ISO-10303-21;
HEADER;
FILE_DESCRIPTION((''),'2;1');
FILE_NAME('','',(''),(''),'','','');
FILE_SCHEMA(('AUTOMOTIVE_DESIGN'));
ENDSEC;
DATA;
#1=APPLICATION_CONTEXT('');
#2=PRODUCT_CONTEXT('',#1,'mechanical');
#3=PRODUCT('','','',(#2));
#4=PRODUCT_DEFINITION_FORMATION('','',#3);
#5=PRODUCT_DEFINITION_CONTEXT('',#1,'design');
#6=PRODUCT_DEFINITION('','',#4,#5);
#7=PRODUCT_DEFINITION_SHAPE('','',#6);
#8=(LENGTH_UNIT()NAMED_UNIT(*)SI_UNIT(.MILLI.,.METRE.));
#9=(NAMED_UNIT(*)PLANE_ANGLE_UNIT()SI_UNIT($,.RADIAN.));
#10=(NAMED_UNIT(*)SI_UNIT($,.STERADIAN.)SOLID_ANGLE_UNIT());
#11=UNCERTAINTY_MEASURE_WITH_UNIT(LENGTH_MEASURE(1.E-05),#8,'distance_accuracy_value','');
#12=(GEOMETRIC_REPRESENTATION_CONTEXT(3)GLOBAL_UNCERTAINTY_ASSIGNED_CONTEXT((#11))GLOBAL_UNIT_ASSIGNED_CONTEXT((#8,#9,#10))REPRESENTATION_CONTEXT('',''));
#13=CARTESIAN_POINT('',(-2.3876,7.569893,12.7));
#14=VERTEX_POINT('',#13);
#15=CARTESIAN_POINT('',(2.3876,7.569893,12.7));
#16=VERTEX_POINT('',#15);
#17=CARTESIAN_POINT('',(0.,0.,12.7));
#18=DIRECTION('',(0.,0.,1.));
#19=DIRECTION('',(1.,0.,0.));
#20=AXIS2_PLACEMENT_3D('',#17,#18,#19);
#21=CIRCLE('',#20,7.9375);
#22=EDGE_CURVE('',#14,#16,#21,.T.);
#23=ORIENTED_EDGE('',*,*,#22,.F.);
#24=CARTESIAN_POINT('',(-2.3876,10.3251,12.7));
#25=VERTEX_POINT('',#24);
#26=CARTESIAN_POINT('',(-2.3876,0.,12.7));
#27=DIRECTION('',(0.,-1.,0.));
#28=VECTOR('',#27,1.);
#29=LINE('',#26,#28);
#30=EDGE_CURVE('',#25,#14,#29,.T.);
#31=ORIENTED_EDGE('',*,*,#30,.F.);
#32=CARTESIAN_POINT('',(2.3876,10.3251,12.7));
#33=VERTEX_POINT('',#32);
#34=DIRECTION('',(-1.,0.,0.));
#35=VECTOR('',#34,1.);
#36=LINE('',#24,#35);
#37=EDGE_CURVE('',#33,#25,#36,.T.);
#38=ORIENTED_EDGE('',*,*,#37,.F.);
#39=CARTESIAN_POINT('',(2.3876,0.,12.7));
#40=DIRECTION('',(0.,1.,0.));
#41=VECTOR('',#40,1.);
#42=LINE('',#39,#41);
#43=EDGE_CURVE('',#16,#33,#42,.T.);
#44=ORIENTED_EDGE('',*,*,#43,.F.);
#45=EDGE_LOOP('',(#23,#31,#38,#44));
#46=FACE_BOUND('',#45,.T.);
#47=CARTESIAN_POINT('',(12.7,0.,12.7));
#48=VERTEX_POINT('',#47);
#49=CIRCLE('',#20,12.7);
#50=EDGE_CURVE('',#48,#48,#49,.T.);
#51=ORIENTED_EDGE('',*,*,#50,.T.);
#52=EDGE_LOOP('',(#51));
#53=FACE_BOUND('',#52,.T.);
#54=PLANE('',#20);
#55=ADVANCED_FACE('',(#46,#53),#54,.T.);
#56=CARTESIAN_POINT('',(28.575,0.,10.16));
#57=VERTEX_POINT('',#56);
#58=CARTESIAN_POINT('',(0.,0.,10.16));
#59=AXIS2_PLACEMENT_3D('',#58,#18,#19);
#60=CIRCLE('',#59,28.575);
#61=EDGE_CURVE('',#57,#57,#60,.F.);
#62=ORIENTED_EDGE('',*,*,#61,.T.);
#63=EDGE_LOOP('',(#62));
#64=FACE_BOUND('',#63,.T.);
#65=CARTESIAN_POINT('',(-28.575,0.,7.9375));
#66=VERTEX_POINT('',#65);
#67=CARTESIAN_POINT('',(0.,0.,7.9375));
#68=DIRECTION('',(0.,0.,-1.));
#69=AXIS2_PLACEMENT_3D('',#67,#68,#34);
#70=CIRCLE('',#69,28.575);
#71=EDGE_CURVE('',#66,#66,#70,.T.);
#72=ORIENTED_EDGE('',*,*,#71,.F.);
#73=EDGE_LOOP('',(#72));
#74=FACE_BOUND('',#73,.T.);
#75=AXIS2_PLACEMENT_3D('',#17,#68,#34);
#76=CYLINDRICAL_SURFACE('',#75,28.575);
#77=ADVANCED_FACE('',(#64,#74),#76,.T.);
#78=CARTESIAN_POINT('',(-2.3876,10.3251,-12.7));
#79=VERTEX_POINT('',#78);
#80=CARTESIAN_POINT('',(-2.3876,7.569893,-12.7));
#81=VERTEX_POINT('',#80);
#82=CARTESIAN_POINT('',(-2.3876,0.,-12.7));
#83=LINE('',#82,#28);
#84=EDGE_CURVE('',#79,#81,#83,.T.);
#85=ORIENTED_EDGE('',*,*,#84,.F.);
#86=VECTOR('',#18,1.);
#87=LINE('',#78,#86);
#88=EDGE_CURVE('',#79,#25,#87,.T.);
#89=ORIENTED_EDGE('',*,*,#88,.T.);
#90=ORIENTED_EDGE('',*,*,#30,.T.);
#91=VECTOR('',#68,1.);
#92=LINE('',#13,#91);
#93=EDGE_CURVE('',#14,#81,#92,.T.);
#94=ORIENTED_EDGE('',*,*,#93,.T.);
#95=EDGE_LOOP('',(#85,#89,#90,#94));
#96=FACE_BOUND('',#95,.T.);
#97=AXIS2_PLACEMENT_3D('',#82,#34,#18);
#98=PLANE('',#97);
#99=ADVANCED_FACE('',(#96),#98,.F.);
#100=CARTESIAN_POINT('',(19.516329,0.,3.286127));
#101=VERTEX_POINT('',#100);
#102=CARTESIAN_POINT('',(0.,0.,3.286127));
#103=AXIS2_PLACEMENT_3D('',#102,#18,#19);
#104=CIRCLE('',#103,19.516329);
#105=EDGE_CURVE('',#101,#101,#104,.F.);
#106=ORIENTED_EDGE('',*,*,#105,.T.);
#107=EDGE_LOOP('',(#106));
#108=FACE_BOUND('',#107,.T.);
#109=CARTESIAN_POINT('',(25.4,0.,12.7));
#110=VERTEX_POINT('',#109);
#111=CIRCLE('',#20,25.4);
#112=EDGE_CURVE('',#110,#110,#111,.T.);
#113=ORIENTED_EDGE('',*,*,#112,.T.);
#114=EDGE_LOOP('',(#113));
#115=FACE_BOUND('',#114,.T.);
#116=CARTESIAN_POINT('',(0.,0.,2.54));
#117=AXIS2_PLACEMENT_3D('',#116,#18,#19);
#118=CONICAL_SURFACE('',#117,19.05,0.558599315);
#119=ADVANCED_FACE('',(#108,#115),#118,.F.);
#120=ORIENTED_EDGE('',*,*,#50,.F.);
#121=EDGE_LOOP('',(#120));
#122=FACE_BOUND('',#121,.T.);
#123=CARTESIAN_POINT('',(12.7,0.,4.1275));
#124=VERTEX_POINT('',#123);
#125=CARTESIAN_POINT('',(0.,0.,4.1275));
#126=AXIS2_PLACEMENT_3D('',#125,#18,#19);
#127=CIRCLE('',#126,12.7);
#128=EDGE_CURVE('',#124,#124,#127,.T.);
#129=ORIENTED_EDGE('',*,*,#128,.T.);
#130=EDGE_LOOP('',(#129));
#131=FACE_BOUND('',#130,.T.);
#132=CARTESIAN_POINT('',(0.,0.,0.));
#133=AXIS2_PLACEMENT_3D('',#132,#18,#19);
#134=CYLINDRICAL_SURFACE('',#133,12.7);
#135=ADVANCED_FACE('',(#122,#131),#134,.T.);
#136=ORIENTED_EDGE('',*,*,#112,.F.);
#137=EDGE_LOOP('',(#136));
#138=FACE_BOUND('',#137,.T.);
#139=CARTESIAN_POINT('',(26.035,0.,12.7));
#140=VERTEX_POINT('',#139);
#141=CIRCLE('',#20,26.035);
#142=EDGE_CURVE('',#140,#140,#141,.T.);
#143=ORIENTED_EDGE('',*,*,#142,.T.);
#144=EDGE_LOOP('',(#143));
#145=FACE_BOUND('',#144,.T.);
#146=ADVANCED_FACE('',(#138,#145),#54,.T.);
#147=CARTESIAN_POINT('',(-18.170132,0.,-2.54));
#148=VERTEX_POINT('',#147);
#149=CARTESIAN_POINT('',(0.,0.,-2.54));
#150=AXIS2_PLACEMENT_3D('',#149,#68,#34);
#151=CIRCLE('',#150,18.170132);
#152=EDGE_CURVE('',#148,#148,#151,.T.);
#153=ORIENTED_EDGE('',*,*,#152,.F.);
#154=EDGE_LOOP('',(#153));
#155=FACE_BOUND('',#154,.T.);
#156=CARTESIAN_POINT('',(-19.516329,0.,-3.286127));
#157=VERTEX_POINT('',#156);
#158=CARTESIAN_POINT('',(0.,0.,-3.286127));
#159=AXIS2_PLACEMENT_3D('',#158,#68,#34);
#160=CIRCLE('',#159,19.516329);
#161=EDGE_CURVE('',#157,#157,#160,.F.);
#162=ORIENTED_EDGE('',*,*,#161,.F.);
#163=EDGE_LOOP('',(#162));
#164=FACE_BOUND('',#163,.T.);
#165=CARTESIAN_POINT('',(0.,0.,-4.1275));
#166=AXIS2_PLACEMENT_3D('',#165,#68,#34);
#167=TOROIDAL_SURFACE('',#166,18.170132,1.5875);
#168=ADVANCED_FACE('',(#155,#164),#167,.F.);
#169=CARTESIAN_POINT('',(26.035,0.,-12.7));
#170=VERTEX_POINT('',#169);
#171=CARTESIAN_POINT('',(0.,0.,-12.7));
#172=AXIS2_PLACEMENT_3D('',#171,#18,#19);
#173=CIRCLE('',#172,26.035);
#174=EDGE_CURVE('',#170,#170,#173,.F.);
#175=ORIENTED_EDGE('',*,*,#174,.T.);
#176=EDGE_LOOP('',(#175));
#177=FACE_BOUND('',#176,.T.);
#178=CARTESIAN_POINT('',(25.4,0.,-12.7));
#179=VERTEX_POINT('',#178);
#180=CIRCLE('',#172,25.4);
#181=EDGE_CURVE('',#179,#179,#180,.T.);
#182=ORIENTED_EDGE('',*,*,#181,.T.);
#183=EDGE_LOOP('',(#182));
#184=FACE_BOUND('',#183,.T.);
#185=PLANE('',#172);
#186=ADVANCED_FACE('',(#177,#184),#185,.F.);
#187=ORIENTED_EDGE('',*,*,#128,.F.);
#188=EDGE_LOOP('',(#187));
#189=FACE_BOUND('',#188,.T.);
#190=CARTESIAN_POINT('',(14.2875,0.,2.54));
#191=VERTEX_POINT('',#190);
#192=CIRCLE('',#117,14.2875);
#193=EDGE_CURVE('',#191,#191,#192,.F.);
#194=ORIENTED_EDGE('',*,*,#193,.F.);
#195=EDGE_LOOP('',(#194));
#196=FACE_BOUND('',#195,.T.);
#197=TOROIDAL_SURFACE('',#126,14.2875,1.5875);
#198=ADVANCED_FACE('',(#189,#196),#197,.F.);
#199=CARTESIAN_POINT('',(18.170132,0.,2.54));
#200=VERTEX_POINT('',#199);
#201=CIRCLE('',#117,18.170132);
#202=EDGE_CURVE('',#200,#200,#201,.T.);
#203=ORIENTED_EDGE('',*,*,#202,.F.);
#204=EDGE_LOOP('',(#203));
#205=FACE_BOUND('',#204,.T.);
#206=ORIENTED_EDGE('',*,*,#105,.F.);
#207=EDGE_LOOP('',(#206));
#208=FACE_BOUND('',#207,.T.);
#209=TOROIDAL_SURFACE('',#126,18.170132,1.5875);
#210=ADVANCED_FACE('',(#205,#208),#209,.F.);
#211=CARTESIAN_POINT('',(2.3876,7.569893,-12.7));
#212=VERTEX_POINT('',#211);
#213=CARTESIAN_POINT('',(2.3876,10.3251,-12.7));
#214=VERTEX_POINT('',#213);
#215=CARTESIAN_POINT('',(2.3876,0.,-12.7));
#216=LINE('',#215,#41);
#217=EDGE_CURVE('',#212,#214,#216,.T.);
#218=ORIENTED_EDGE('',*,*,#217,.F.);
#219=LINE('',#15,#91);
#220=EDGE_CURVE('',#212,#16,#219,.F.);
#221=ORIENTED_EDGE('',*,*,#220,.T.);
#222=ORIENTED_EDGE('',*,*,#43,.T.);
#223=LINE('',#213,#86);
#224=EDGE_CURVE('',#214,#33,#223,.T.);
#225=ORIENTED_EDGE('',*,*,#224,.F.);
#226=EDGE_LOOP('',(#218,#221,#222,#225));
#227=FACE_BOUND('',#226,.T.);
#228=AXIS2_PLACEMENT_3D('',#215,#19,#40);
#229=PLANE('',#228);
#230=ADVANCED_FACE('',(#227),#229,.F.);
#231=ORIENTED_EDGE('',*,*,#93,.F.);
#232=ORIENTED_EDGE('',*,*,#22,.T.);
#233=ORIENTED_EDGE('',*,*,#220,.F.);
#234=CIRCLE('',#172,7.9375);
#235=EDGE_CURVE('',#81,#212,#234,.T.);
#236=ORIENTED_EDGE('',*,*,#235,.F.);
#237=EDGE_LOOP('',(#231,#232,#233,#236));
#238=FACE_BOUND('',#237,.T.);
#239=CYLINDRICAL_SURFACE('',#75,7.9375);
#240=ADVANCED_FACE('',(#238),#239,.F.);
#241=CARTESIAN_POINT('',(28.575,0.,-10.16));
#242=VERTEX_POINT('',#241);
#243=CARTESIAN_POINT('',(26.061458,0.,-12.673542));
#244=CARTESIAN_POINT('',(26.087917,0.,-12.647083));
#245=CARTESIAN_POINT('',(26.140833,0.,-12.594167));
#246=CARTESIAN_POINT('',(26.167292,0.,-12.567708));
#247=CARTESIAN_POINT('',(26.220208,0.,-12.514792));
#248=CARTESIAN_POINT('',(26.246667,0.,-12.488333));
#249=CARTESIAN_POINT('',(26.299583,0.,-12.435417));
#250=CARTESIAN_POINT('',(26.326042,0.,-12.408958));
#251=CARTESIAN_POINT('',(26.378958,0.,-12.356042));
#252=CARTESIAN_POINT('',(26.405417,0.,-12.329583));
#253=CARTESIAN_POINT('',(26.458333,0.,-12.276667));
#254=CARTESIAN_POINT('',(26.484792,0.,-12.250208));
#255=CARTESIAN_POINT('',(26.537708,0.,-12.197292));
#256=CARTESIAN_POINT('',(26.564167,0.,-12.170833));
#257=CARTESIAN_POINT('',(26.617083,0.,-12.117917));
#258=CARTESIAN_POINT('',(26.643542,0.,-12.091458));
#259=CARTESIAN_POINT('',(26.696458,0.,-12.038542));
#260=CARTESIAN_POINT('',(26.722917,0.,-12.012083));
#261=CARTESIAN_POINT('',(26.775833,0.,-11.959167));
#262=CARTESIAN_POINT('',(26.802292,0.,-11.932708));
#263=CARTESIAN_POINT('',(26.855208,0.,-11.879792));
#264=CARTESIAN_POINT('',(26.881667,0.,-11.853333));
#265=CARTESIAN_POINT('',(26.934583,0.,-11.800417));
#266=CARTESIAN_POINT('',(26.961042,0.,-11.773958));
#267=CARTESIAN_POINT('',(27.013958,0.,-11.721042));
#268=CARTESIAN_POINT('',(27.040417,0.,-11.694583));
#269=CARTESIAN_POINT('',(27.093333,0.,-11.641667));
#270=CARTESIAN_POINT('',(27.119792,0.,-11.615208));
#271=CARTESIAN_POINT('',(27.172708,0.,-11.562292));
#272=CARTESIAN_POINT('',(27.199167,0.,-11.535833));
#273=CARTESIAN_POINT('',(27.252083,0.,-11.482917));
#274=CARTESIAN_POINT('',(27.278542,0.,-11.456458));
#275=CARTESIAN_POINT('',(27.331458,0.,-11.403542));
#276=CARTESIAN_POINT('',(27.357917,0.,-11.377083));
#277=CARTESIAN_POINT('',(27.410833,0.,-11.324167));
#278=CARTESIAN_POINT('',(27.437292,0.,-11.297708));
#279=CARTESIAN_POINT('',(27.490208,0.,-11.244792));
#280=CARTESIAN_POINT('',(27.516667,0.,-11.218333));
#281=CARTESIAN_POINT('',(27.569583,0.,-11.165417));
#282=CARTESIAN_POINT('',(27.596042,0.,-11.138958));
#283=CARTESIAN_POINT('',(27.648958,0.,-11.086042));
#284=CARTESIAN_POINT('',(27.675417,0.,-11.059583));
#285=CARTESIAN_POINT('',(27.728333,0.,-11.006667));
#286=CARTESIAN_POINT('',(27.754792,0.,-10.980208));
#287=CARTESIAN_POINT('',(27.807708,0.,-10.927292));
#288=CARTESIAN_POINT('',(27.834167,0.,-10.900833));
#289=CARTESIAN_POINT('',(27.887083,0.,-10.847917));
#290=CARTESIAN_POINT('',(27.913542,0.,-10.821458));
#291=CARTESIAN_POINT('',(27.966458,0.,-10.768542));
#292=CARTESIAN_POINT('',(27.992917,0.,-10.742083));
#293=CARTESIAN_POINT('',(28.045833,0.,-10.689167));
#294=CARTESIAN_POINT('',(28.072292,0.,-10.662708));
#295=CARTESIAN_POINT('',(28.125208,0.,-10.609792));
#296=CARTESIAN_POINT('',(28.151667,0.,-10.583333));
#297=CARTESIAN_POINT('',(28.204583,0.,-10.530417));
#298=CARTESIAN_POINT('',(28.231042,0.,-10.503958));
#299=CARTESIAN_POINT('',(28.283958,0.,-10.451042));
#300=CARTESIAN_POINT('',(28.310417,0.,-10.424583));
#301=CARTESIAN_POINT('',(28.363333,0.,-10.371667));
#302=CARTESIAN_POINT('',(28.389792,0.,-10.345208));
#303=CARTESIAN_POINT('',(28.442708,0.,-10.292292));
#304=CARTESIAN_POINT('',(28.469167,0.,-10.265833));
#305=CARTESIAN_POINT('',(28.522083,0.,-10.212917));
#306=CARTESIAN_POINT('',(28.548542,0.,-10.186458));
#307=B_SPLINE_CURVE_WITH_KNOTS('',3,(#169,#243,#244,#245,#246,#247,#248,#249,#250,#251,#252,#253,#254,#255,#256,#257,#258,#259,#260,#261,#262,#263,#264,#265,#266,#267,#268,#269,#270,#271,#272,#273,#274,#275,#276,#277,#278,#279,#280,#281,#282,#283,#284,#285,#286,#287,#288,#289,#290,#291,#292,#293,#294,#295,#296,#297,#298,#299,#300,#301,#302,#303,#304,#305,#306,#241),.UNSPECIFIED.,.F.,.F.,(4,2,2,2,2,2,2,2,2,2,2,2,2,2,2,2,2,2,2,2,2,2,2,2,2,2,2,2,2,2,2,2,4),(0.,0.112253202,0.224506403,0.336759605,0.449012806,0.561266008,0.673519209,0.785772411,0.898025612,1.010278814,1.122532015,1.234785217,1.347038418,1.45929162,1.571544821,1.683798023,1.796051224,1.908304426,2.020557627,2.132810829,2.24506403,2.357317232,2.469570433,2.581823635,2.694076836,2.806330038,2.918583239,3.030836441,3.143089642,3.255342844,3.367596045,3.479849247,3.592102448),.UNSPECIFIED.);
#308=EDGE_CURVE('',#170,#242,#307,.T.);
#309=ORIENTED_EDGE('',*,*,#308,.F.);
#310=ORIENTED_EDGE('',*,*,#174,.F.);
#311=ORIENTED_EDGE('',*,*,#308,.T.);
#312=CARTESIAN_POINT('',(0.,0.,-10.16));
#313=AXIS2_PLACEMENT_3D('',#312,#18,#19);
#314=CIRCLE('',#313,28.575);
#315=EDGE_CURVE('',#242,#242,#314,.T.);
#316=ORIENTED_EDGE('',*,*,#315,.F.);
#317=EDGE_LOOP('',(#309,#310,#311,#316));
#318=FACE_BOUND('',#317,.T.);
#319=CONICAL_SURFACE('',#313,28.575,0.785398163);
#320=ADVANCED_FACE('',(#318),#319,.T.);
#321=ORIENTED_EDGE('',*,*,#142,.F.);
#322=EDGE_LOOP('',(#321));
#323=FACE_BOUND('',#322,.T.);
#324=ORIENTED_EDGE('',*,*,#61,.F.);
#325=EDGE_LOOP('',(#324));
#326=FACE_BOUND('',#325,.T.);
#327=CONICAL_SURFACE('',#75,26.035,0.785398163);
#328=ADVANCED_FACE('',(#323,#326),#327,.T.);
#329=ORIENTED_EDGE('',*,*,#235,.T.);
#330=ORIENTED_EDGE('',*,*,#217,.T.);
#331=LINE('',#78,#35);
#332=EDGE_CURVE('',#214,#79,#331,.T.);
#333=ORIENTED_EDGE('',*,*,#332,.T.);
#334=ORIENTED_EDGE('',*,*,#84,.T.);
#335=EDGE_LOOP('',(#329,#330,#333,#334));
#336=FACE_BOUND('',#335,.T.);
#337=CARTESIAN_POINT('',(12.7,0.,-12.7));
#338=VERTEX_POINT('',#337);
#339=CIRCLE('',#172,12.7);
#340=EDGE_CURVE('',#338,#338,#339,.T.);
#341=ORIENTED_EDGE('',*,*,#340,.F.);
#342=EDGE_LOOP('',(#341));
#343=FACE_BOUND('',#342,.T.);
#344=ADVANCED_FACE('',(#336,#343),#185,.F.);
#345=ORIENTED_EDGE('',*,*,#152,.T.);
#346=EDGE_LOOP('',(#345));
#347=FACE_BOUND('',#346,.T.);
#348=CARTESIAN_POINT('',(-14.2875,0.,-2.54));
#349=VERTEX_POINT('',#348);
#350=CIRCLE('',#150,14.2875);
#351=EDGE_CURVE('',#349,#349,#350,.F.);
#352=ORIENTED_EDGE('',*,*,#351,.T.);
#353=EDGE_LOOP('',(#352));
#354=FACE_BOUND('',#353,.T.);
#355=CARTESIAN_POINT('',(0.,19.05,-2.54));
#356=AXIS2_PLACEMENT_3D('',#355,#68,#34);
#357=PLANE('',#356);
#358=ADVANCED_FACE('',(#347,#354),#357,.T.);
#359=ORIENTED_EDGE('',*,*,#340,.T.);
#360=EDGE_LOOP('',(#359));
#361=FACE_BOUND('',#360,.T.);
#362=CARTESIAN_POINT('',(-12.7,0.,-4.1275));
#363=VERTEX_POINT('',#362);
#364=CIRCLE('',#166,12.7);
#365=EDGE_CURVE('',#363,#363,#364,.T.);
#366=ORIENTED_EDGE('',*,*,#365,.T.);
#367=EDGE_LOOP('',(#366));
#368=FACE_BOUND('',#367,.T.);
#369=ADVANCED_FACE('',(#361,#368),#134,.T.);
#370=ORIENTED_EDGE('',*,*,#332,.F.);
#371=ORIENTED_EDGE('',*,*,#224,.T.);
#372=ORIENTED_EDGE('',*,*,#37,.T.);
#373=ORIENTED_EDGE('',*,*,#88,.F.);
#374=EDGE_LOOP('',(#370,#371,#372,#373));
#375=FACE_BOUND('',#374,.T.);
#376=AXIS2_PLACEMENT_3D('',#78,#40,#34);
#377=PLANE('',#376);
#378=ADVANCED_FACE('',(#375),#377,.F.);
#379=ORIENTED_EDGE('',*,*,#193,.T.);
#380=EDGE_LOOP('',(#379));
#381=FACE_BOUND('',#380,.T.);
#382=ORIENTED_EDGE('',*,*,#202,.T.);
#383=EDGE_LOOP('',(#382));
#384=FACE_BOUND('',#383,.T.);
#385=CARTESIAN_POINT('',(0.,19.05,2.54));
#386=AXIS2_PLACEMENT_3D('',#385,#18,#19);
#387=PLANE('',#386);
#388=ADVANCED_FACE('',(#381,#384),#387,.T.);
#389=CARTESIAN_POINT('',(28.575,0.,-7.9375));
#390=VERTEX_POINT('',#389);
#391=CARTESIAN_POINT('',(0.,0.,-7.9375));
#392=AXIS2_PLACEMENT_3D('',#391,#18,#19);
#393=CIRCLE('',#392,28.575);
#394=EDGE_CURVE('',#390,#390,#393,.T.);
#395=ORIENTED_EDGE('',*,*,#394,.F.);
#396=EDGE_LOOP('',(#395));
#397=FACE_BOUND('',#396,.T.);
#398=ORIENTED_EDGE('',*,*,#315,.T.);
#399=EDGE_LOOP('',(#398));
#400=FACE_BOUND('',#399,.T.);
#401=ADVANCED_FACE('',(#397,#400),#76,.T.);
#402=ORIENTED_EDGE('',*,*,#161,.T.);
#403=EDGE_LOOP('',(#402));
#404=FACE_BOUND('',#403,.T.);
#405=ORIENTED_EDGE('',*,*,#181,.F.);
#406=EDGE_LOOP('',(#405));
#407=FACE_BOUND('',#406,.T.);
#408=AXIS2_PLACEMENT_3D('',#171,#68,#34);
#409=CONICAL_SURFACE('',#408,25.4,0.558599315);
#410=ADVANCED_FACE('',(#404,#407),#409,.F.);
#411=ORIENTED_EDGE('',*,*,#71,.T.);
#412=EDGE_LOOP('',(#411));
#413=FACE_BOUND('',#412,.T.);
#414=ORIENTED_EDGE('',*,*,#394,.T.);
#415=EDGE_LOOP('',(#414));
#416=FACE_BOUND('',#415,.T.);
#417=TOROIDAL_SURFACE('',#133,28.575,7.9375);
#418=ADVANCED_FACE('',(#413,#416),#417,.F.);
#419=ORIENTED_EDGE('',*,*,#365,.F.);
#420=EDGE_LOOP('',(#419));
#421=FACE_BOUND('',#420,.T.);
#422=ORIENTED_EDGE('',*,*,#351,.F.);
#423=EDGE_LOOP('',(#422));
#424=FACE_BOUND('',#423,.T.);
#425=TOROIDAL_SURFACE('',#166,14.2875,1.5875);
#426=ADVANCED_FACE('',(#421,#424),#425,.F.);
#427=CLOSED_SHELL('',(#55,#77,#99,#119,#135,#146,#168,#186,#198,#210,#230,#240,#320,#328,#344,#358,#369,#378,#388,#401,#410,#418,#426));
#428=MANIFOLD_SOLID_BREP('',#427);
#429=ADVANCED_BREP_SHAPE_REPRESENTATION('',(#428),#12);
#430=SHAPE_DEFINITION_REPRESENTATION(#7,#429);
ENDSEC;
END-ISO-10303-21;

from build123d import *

# Parameters (mm, degrees)
SKETCH2_R               = 28.575
SKETCH2_R_2             = 7.9375
BOSS_EXTRUDE1_DEPTH     = 12.7
SKETCH3_R               = 7.9375
CHAMFER1_SIZE           = 2.54
FILLET1_R               = 1.5875
CUT_EXTRUDE1_DEPTH      = 43.359783404
CUT_EXTRUDE1_DEPTH_BACK = 43.359783404
SKETCH5_W               = 4.7752
SKETCH5_H               = 10.3251


with BuildPart() as part:
    # Sketch2 → Boss-Extrude1 (new, symmetric)
    with BuildSketch(Plane.XY):
        Circle(SKETCH2_R)
        Circle(SKETCH2_R_2, mode=Mode.SUBTRACT)
    extrude(amount=BOSS_EXTRUDE1_DEPTH, both=True)

    # Sketch3 → Cut-Revolve1 (revolve, cut)
    with BuildSketch(Plane(origin=(0, 0, 0), x_dir=(0, 0, -1), z_dir=(1, 0, 0)), mode=Mode.PRIVATE) as cut_revolve1_sk:
        with Locations((0, 28.575)):
            Circle(SKETCH3_R)
    revolve(cut_revolve1_sk.sketch.rotate(Axis((0, 0, 0), (0, 0, -1)), 90), axis=Axis((0, 0, 0), (0, 0, -1)), mode=Mode.SUBTRACT)

    # Sketch4 → Cut-Revolve2 (revolve, cut)
    with BuildSketch(Plane(origin=(0, 0, 0), x_dir=(0, 0, -1), z_dir=(1, 0, 0)), mode=Mode.PRIVATE) as cut_revolve2_sk:
        Polygon((12.7, 25.4), (2.54, 19.05), (2.54, 12.7), (12.7, 12.7), align=None)
        Polygon((-12.7, 12.7), (-12.7, 25.4), (-2.54, 19.05), (-2.54, 12.7), align=None)
    revolve(cut_revolve2_sk.sketch.rotate(Axis((0, 0, 0), (0, 0, -1)), 90), axis=Axis((0, 0, 0), (0, 0, -1)), mode=Mode.SUBTRACT)

    # Chamfer1
    chamfer1_edges = [part.edges().sort_by_distance(p)[0] for p in [
        (-28.575, 0, -12.7),
        (-28.575, 0, 12.7),
    ]]
    chamfer(chamfer1_edges, length=CHAMFER1_SIZE)

    # Fillet1
    fillet1_edges = [part.edges().sort_by_distance(p)[0] for p in [
        (-12.7, 0, -2.54),
        (-19.05, 0, -2.54),
        (-19.05, 0, 2.54),
        (-12.7, 0, 2.54),
    ]]
    fillet(fillet1_edges, radius=FILLET1_R)

    # Sketch5 → Cut-Extrude1 (cut, two sides: drawn at the far end of the back side and taken through both)
    with BuildSketch(Plane.XY.offset(-CUT_EXTRUDE1_DEPTH_BACK)):
        with Locations((0, 5.16255)):
            Rectangle(SKETCH5_W, SKETCH5_H)
    extrude(amount=CUT_EXTRUDE1_DEPTH + CUT_EXTRUDE1_DEPTH_BACK, mode=Mode.SUBTRACT)


solid = part.part
